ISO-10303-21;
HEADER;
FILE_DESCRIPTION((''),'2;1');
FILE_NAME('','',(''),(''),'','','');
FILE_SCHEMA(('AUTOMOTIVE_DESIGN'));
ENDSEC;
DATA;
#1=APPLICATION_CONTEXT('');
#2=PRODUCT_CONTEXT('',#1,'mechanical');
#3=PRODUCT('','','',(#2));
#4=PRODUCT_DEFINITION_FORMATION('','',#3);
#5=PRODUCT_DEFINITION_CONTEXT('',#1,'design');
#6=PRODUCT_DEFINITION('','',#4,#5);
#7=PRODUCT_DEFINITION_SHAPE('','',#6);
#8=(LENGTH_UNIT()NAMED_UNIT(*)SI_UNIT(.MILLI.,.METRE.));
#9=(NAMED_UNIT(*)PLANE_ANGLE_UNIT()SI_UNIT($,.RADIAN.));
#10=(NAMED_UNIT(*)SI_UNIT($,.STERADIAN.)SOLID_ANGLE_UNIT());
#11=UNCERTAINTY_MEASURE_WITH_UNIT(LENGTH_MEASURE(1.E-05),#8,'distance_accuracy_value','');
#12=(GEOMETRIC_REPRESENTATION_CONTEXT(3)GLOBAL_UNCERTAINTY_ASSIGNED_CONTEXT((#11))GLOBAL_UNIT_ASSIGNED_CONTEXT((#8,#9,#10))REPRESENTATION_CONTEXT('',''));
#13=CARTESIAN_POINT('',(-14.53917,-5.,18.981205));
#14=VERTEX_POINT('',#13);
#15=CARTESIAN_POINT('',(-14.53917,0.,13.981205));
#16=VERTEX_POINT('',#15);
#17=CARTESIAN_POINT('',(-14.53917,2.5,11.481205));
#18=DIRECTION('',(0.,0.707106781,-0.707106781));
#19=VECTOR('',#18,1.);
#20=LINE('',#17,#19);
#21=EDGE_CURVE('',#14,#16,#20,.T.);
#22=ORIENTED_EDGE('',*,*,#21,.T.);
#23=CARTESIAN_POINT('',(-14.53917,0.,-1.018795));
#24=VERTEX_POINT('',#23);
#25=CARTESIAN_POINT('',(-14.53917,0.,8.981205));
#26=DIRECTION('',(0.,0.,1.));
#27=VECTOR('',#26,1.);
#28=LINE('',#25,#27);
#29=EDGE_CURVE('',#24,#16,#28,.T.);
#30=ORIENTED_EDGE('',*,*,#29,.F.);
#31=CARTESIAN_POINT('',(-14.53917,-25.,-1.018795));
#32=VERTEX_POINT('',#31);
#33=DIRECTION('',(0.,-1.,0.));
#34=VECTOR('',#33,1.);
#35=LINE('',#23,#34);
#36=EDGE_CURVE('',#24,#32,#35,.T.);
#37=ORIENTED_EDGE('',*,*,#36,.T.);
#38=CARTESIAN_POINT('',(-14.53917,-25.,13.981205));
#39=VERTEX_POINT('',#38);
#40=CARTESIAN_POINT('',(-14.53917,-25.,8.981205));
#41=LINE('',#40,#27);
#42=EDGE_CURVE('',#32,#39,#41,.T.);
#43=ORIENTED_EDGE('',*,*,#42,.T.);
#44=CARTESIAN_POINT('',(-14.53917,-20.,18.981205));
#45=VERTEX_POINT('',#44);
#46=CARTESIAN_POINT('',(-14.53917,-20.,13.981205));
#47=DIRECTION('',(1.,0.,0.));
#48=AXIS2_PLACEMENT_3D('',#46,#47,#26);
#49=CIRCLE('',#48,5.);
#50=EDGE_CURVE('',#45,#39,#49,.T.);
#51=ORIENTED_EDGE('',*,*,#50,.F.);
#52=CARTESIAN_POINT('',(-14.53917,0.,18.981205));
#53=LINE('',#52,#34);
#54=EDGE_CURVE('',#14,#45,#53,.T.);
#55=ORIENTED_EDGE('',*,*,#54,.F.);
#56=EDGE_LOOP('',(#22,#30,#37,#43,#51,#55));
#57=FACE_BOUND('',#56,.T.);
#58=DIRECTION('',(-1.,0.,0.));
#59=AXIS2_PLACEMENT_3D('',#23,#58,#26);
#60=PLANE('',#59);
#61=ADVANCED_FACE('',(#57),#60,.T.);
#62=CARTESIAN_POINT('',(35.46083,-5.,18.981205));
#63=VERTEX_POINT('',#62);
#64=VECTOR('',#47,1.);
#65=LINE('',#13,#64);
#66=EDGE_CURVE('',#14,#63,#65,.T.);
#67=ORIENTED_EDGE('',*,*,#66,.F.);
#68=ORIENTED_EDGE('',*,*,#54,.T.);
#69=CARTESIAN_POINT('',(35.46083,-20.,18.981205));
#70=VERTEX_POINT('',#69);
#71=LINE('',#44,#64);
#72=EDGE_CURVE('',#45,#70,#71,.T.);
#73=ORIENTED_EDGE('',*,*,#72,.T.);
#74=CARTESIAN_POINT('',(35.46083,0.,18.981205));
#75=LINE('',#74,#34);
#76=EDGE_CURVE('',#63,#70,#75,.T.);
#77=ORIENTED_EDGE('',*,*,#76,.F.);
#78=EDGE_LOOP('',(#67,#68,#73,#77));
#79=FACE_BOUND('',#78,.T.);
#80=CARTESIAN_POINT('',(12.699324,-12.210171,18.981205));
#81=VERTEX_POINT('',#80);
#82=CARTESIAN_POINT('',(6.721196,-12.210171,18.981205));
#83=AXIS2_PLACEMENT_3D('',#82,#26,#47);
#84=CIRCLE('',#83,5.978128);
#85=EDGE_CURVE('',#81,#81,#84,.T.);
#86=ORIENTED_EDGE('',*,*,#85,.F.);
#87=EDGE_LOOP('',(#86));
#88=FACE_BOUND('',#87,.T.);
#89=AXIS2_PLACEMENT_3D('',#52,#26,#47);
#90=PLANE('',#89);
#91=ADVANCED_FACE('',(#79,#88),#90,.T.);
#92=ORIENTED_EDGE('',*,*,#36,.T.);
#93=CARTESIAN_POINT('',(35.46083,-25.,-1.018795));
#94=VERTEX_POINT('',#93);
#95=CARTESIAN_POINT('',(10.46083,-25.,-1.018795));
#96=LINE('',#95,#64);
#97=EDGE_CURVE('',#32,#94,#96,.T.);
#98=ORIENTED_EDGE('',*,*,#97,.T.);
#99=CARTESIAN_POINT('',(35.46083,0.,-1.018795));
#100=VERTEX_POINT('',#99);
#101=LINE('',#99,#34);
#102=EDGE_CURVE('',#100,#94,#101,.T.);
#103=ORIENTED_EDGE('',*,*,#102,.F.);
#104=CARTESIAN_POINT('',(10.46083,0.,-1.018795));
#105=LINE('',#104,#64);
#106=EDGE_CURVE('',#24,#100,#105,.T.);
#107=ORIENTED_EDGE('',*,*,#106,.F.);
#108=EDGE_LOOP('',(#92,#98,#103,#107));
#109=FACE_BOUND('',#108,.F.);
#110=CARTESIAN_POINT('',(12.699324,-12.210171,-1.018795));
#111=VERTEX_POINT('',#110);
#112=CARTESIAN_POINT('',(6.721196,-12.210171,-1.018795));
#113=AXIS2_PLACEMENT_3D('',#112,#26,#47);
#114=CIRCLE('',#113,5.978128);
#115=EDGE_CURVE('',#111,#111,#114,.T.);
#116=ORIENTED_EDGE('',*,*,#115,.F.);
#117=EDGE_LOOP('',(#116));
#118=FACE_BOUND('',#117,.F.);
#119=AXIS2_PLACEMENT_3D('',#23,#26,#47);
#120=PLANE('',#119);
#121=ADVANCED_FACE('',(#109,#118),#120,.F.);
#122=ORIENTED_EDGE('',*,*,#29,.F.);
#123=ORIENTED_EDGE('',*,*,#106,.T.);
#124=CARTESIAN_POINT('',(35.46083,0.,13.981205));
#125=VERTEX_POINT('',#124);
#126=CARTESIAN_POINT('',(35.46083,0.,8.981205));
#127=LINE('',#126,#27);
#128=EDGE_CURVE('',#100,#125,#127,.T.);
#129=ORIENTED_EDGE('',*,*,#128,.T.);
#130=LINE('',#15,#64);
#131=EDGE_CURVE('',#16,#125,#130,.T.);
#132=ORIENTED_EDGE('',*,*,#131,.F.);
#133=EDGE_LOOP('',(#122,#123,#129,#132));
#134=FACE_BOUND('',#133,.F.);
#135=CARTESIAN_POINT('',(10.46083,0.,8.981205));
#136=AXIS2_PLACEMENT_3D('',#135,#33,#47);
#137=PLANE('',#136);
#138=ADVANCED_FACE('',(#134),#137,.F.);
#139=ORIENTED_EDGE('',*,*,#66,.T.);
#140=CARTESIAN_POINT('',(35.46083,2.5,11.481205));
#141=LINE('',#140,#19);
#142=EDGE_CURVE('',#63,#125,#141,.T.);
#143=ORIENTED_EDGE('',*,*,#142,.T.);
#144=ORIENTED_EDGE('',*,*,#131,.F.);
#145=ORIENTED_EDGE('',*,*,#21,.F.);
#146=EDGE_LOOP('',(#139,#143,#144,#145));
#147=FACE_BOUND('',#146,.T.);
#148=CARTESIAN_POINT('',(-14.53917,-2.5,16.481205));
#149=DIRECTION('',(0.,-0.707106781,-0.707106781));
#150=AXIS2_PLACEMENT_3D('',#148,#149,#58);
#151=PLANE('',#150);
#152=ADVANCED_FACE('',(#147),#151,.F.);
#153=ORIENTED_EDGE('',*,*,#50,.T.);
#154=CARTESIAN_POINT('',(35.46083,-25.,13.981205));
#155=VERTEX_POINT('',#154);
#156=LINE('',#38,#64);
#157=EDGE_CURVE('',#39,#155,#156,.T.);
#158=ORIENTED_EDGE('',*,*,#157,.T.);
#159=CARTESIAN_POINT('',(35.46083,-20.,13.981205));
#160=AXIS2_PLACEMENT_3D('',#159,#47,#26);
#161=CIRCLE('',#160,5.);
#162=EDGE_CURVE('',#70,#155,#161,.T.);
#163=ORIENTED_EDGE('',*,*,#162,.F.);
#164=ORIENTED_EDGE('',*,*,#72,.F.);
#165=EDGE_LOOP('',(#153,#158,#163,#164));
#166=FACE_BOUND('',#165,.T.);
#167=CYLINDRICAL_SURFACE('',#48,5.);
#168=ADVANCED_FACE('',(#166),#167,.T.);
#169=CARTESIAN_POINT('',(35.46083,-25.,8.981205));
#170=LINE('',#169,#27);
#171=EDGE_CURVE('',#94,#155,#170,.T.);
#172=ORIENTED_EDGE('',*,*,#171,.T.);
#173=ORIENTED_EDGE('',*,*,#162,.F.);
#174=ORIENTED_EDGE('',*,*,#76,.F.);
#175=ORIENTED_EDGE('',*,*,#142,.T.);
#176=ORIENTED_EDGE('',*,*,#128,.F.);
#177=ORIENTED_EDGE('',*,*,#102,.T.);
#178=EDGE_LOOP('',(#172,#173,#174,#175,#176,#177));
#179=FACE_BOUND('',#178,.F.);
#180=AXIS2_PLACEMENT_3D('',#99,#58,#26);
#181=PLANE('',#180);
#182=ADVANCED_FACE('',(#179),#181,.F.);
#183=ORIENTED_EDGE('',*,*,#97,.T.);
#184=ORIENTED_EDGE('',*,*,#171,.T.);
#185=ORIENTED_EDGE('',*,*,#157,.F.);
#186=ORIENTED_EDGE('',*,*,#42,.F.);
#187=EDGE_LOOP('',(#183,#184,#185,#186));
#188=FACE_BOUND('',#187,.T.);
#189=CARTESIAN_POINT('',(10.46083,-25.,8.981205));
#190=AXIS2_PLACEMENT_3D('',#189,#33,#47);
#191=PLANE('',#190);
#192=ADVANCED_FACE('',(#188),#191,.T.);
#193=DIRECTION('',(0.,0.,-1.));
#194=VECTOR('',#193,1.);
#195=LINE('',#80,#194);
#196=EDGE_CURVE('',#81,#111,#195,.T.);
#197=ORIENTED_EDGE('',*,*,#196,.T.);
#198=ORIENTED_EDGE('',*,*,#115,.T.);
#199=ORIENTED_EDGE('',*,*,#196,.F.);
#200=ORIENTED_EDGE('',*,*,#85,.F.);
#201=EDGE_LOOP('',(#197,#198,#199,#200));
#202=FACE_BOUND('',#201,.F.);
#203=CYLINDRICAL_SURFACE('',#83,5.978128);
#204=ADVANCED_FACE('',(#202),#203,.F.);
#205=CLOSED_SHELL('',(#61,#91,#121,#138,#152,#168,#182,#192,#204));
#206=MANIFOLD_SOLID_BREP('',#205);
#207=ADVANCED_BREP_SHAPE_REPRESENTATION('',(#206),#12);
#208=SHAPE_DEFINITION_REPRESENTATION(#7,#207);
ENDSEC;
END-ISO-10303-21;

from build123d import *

# Parameters (mm, degrees)
F0_W     = 50
F0_H     = 20
F1_DEPTH = 25
F2_R     = 5
F3_SIZE  = 5
F4_R     = 5.978128
F5_DEPTH = 25


with BuildPart() as f1:
    # F0 (on Front) → F1 (new body)
    with BuildSketch(Plane.XZ):
        with Locations((10.46083, 8.981205)):
            Rectangle(F0_W, F0_H)
    extrude(amount=F1_DEPTH)

    # F2
    f2_edges = [f1.edges().sort_by_distance(p)[0] for p in [
        (10.46083, -25, 18.981205),
    ]]
    fillet(f2_edges, radius=F2_R)

    # F3
    f3_edges = [f1.edges().sort_by_distance(p)[0] for p in [
        (10.46083, 0, 18.981205),
    ]]
    chamfer(f3_edges, length=F3_SIZE)

    # F4 (on face) → F5 (cut)
    with BuildSketch(Plane.XY.offset(18.981205)):
        with Locations((6.721196, -12.210171)):
            Circle(F4_R)
    extrude(amount=-F5_DEPTH, mode=Mode.SUBTRACT)


solid = f1.part
